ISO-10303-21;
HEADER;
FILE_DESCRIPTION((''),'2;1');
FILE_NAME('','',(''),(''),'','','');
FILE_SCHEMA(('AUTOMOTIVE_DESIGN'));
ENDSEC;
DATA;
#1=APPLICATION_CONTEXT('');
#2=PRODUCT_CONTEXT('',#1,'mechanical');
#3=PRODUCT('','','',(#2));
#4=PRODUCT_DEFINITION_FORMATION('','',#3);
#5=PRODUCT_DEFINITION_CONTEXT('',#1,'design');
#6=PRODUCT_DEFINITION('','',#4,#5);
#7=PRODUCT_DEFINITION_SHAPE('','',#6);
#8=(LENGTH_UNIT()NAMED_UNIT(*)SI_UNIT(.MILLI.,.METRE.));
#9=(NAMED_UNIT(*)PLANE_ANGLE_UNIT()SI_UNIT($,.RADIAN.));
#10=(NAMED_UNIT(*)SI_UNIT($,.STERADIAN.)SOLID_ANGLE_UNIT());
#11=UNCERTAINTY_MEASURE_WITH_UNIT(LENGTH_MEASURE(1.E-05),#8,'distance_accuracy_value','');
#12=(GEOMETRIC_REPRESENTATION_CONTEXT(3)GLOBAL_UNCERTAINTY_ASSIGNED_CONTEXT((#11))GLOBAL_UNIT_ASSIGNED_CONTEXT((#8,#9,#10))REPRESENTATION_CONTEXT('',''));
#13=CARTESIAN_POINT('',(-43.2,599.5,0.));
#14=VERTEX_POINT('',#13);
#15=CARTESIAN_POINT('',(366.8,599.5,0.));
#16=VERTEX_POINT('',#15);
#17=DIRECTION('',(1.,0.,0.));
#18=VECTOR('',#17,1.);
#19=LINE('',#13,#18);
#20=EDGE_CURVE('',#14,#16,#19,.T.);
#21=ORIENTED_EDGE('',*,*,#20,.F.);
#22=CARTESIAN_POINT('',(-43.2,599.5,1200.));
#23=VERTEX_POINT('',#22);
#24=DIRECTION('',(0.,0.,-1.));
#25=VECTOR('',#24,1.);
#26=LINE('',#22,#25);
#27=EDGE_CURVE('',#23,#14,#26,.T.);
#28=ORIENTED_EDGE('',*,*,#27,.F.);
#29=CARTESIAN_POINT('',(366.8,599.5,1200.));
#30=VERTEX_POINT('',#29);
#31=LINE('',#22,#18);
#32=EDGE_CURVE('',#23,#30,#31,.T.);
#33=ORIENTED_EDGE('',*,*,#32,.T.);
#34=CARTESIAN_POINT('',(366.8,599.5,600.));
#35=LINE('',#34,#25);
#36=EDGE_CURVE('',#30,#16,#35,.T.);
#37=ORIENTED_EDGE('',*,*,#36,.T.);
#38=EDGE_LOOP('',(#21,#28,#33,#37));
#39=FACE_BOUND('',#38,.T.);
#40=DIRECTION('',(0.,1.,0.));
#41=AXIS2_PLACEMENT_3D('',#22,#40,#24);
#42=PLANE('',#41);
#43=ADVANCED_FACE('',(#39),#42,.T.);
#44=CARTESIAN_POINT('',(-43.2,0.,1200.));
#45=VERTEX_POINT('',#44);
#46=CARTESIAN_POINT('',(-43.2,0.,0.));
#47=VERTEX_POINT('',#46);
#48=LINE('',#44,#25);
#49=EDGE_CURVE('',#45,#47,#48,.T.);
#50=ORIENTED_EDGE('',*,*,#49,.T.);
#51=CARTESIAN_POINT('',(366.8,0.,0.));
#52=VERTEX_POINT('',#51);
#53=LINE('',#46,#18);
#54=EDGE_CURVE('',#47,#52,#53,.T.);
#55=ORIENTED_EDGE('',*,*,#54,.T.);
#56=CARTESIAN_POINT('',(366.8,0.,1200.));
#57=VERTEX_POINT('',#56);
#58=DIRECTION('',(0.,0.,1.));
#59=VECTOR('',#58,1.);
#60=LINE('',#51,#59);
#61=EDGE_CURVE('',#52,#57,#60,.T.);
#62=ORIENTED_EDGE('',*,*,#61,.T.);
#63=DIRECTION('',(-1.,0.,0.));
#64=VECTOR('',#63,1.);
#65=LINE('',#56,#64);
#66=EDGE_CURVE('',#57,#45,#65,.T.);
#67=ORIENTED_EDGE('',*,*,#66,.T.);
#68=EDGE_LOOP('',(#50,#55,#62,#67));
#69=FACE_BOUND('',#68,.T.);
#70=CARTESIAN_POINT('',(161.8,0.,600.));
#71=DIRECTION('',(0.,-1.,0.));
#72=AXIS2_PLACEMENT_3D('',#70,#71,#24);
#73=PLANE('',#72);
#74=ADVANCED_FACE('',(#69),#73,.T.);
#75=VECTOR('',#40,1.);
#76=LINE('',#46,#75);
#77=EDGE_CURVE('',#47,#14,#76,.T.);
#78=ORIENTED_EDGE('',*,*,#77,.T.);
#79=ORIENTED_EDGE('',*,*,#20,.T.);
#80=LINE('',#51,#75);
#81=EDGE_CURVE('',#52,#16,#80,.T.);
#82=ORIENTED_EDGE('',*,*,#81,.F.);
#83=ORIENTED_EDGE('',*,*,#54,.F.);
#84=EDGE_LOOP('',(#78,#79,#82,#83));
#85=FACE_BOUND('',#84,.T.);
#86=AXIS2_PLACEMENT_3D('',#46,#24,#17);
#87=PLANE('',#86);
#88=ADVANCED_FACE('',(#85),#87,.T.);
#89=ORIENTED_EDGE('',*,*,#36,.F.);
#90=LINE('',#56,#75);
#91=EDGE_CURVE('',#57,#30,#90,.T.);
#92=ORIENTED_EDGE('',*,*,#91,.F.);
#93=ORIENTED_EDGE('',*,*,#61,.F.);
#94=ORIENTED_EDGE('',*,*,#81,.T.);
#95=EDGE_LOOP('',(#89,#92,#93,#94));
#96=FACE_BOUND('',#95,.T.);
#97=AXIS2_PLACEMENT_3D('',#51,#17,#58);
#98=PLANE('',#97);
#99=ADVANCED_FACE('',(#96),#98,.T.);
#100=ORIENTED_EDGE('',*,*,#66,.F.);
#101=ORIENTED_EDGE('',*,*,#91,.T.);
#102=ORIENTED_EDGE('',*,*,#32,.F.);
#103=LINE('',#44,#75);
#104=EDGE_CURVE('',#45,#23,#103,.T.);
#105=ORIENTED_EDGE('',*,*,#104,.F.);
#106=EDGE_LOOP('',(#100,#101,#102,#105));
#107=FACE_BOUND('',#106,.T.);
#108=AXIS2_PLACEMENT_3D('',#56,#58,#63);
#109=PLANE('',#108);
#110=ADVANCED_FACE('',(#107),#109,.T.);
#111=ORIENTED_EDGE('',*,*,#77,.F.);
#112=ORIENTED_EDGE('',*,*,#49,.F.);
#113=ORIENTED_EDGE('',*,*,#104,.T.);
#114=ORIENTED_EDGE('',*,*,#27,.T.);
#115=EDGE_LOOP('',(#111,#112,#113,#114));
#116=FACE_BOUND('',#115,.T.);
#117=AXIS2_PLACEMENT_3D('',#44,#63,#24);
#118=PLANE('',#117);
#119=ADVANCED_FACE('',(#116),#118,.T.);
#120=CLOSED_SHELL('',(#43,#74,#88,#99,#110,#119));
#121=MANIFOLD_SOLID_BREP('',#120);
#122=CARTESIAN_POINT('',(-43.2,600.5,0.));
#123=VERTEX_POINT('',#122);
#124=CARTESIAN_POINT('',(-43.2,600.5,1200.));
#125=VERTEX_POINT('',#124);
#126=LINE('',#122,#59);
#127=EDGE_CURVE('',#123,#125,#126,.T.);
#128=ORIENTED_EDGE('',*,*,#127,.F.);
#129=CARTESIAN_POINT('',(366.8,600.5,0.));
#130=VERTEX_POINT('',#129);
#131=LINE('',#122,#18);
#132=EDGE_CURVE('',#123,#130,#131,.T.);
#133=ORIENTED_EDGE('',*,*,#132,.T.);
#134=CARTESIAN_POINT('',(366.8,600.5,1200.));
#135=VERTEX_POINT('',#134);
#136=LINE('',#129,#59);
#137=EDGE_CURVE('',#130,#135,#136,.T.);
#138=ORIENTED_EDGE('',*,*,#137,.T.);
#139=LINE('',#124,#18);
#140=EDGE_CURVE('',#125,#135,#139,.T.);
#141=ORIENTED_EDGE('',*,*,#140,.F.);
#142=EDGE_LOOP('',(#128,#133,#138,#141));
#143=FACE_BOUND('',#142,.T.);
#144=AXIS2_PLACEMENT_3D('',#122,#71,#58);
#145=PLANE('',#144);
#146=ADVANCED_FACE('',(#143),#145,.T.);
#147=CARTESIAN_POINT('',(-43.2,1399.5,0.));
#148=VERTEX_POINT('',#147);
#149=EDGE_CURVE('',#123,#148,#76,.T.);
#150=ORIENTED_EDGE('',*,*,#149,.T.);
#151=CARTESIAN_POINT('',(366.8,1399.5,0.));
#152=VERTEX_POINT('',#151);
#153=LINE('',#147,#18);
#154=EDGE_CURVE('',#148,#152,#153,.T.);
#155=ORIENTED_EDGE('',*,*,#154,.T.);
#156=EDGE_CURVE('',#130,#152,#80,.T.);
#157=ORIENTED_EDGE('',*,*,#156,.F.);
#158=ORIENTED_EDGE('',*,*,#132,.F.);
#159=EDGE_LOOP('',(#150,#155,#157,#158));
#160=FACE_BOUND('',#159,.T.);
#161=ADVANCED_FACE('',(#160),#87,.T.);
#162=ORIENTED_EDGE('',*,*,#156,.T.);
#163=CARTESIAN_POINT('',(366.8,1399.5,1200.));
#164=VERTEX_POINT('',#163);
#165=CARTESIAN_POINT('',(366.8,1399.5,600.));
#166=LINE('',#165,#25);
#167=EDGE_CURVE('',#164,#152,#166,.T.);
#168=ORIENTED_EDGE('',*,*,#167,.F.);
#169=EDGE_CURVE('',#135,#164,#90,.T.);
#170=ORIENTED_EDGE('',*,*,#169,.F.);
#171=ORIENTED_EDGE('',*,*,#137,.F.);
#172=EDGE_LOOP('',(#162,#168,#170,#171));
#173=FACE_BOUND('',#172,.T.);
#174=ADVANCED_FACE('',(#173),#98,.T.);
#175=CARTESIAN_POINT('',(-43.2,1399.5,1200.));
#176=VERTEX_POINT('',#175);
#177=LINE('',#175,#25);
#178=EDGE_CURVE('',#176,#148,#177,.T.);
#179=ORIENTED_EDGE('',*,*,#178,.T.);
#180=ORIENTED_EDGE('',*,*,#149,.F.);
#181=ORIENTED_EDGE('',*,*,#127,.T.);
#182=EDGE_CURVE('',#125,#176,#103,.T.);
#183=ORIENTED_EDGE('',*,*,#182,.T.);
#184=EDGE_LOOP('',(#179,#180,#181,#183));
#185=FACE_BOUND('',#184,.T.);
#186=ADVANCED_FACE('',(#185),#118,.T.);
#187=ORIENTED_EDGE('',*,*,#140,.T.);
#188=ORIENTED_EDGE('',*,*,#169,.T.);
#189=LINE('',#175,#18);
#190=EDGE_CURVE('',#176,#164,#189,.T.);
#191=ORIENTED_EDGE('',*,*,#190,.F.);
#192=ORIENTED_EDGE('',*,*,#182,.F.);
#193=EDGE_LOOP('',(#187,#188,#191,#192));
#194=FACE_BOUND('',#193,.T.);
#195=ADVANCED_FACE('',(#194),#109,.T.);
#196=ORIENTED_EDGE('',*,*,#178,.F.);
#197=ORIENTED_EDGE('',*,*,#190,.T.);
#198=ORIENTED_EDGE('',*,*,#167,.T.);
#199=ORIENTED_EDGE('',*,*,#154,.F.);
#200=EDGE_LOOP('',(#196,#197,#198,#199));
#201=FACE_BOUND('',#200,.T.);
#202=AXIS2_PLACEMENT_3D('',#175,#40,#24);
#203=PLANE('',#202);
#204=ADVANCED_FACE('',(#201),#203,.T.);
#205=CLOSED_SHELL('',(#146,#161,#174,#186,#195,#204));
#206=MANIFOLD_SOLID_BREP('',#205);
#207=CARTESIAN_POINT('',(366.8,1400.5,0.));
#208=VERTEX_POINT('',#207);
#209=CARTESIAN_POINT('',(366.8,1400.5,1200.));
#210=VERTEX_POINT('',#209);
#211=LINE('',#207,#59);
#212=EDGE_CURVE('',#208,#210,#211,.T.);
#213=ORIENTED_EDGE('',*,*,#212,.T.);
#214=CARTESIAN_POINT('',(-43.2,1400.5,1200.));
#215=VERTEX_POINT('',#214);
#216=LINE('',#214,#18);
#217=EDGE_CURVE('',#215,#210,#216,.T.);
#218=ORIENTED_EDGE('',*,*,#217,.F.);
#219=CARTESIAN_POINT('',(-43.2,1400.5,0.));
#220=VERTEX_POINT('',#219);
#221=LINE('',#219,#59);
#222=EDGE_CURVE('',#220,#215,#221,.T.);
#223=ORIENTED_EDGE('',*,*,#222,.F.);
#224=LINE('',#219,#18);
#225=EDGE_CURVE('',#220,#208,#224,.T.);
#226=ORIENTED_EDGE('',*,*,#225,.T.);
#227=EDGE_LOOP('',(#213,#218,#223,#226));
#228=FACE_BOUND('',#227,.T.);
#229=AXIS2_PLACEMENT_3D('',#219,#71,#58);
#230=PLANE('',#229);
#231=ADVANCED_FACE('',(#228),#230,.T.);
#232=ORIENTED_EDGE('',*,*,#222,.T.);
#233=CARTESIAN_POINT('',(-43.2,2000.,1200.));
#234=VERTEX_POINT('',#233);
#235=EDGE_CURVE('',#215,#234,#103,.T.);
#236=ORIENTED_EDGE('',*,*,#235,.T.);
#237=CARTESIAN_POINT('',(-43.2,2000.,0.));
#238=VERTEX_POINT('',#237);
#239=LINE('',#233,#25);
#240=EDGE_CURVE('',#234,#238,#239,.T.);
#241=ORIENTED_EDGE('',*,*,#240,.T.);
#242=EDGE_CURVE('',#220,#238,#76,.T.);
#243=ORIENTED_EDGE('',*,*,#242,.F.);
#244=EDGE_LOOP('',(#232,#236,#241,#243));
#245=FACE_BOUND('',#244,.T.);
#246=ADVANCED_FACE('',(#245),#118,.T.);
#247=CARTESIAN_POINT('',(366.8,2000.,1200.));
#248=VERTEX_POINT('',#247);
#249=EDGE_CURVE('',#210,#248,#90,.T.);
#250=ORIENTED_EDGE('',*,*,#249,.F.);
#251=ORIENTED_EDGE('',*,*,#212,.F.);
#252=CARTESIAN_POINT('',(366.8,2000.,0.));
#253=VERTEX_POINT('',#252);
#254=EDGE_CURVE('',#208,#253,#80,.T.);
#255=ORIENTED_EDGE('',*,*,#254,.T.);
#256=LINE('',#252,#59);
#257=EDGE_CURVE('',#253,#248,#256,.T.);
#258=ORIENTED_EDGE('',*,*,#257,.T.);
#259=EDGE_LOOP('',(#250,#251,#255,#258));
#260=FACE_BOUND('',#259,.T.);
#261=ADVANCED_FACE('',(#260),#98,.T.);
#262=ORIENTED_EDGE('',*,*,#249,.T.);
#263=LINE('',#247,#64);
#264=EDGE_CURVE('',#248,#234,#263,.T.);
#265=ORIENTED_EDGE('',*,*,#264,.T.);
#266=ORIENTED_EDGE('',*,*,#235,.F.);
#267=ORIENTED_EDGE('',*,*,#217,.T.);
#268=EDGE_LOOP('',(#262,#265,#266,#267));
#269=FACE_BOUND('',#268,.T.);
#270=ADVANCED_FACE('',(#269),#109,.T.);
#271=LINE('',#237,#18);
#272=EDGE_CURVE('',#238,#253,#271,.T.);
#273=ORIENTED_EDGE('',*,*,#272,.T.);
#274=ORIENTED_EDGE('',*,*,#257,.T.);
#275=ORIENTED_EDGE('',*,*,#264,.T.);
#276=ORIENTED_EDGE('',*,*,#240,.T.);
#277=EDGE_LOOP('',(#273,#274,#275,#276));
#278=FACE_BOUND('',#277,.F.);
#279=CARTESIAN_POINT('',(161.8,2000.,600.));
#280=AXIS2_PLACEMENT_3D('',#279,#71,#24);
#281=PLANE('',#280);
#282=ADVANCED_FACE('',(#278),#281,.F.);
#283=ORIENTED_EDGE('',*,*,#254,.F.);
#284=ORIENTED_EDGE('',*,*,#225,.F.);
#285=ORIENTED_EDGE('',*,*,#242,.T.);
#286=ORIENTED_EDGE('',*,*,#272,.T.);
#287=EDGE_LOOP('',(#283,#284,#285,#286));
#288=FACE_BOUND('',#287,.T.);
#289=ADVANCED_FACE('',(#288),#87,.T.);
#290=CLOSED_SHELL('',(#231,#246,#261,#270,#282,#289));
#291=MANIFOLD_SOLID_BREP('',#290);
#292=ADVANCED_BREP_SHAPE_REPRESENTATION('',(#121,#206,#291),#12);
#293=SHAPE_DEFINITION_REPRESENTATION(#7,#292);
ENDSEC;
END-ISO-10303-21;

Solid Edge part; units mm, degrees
sketch "Sketch1" plane through (0, 0, 0) normal (0, -1, 0) x (1, 0, 0)
  line L0 (-43.2, 0) -> (366.8, 0)
  line L1 (366.8, 0) -> (366.8, 1200)
  line L2 (366.8, 1200) -> (-43.2, 1200)
  line L3 (-43.2, 1200) -> (-43.2, 0)
  dimension "D1" = 1200
  dimension "D2" = 410
extrude "Protrusion1" add sketch "Sketch1" against normal blind 2000
sketch "Sketch2" plane through (-43.2, 1000, 600) normal (-1, 0, 0) x (0, 0, 1)
  line L0 (600, -399.5) -> (600, -400.5)
  line L1 (600, -400.5) -> (-600, -400.5)
  line L2 (-600, -400.5) -> (-600, -399.5)
  line L3 (-600, -399.5) -> (600, -399.5)
  line L4 (600, 400.5) -> (600, 399.5)
  line L5 (600, 399.5) -> (-600, 399.5)
  line L6 (-600, 399.5) -> (-600, 400.5)
  line L7 (-600, 400.5) -> (600, 400.5)
  dimension "D1" = 1
  dimension "D2" = 1
  dimension "D3" = 600
  dimension "D4" = 600
extrude "Cutout1" cut sketch "Sketch2" against normal up to next
properties material "Stainless Steel, 304"
